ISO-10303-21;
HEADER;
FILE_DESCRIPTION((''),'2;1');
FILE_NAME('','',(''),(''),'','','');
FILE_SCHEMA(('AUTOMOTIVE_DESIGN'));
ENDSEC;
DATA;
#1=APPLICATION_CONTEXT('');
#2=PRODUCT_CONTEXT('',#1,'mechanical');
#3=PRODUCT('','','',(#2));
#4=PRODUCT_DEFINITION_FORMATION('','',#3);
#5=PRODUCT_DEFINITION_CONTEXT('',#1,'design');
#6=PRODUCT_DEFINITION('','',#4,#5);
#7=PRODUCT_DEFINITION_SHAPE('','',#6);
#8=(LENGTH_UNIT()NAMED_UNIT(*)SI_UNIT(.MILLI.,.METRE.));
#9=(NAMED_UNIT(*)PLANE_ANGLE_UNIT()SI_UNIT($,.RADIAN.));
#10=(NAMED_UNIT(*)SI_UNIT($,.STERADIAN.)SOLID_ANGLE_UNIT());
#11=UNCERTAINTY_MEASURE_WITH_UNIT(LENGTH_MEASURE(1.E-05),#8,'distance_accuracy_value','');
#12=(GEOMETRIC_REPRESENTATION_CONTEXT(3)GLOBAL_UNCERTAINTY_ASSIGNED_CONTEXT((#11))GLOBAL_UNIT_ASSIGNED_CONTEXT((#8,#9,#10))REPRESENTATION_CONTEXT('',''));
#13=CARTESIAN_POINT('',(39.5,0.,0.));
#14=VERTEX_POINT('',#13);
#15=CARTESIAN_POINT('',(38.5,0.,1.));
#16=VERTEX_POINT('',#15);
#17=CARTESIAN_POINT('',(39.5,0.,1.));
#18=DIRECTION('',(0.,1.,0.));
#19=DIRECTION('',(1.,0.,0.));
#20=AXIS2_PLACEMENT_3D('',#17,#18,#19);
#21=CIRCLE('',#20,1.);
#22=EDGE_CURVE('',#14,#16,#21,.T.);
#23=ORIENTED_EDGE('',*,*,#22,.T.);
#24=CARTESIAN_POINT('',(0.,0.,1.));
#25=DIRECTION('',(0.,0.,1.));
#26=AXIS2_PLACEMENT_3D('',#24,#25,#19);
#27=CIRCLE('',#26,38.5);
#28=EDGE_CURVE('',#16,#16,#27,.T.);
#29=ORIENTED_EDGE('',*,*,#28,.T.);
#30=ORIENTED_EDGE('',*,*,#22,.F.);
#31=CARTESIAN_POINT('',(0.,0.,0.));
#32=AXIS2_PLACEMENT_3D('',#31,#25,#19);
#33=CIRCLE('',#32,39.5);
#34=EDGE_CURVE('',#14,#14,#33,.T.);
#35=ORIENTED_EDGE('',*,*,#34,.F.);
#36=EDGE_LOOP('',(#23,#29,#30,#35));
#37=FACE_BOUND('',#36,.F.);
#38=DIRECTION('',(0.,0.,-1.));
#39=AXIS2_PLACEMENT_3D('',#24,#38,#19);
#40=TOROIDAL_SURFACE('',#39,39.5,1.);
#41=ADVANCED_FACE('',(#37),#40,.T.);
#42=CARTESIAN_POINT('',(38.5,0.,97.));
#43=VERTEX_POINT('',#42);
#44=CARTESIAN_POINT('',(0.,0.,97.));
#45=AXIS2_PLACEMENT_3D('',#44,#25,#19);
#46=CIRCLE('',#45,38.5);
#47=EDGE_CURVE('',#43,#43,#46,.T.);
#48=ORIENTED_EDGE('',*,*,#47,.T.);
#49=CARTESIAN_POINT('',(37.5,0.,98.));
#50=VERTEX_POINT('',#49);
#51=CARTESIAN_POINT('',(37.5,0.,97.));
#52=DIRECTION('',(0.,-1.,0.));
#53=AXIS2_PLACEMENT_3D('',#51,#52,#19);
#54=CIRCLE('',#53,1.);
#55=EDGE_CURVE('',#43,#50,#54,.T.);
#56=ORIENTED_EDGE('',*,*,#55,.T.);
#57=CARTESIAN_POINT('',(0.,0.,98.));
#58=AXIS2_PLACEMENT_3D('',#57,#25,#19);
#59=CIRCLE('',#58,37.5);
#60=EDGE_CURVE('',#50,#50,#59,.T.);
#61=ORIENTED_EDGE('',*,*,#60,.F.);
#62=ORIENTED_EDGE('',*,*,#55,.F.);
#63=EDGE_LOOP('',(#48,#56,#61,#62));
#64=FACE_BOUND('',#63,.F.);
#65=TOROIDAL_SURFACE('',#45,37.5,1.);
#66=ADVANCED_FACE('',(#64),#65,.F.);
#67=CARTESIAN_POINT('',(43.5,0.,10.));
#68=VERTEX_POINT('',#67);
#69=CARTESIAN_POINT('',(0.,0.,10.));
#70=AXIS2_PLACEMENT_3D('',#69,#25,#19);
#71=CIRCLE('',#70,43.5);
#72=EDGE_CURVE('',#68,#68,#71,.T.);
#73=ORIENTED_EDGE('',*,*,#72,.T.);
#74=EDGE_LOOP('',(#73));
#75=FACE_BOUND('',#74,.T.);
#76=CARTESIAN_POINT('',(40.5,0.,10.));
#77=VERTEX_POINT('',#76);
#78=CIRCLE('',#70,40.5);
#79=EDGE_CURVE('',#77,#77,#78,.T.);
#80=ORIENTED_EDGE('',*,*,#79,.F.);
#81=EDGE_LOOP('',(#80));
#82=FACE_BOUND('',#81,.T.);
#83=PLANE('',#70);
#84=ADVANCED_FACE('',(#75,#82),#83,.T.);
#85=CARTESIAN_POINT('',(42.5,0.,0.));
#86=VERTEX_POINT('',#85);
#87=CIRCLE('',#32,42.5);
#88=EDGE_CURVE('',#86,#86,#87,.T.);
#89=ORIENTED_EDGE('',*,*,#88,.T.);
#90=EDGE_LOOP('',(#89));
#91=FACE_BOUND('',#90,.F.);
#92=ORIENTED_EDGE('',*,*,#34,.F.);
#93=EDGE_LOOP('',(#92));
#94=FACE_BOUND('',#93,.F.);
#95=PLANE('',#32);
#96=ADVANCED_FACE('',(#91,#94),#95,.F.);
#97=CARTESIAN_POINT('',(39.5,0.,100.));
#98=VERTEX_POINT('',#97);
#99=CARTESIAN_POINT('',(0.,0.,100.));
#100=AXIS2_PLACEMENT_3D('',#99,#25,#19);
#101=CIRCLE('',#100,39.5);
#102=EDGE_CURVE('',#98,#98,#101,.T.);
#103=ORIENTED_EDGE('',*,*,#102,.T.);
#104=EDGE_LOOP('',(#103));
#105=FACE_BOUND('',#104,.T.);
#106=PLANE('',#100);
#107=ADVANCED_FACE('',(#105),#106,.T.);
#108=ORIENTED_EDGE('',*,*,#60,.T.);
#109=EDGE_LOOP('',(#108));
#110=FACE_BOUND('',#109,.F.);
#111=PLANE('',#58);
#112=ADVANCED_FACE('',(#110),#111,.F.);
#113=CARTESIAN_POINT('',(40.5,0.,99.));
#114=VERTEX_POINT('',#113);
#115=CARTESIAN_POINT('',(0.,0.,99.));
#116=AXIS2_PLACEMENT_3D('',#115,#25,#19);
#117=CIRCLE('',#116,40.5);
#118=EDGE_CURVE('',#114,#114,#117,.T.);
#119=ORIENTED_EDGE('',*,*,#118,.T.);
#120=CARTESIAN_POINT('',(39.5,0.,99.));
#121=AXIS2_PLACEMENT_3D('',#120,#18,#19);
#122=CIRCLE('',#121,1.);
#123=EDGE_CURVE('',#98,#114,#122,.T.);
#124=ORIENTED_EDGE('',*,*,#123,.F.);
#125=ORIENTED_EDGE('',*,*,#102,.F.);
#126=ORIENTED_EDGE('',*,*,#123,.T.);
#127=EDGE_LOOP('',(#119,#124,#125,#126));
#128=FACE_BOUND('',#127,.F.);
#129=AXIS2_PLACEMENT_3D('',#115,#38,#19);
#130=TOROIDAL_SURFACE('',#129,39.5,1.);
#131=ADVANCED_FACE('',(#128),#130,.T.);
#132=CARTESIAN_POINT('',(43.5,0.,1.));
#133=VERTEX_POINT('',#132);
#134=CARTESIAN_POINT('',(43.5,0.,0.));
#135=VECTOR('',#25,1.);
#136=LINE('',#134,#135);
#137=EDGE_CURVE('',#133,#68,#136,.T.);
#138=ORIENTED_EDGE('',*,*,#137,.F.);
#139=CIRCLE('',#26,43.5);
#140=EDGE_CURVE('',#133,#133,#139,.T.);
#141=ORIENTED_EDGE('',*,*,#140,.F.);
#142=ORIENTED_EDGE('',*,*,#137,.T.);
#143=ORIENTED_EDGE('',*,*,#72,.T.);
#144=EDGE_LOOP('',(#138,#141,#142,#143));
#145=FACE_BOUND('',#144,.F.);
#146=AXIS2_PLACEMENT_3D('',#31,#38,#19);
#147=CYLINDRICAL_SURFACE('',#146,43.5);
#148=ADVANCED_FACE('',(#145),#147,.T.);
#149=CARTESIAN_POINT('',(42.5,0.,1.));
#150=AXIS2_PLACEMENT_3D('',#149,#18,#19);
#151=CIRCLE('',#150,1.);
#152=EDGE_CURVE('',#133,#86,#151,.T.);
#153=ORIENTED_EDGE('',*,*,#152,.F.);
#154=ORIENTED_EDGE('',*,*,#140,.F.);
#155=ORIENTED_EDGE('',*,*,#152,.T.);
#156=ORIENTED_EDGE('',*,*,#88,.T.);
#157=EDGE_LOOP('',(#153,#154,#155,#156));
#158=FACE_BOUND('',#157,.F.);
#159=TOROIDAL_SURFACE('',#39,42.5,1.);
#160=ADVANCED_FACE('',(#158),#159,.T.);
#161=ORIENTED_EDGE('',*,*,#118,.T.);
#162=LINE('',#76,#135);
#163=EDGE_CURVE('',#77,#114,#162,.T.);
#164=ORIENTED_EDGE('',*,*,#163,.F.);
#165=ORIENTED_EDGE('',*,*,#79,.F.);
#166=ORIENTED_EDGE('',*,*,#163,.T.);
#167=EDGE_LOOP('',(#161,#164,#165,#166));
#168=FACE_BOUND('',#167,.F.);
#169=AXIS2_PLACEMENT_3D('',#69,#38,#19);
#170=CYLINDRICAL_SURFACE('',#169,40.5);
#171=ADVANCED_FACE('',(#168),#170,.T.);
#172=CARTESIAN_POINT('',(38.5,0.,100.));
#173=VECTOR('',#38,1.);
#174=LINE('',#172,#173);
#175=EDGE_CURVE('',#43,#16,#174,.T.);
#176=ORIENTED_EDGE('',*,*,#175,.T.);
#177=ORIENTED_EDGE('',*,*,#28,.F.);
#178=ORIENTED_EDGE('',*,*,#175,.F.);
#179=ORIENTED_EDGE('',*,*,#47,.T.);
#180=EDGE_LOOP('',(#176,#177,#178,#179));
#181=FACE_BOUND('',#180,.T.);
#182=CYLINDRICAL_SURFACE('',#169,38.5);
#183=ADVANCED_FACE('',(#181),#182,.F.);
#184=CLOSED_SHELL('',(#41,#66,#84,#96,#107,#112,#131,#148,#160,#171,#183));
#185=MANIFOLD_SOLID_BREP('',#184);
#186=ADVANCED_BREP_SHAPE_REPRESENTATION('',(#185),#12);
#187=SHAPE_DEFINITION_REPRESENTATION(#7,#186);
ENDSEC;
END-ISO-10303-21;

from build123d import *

# Parameters (mm, degrees)
F0_R     = 43.5
F0_R_2   = 38.5
F1_DEPTH = 10
F2_R     = 40.5
F2_R_2   = 38.5
F3_DEPTH = 90
F4_R     = 38.5
F5_DEPTH = 2
F6_R     = 1


with BuildPart() as f1:
    # F0 (on Top) → F1 (new body)
    with BuildSketch(Plane.XY):
        Circle(F0_R)
        Circle(F0_R_2, mode=Mode.SUBTRACT)
    extrude(amount=F1_DEPTH)

    # F2 (on face) → F3 (join)
    with BuildSketch(Plane.XY.offset(10)):
        Circle(F2_R)
        Circle(F2_R_2, mode=Mode.SUBTRACT)
    extrude(amount=F3_DEPTH)

    # F4 (on face) → F5 (join)
    with BuildSketch(Plane.XY.offset(100)):
        Circle(F4_R)
    extrude(amount=-F5_DEPTH)

    # F6
    f6_edges = [f1.edges().sort_by_distance(p)[0] for p in [
        (-43.5, 0, 0),
        (-38.5, 0, 0),
        (-40.5, 0, 100),
        (-38.5, 0, 98),
    ]]
    fillet(f6_edges, radius=F6_R)


solid = f1.part
